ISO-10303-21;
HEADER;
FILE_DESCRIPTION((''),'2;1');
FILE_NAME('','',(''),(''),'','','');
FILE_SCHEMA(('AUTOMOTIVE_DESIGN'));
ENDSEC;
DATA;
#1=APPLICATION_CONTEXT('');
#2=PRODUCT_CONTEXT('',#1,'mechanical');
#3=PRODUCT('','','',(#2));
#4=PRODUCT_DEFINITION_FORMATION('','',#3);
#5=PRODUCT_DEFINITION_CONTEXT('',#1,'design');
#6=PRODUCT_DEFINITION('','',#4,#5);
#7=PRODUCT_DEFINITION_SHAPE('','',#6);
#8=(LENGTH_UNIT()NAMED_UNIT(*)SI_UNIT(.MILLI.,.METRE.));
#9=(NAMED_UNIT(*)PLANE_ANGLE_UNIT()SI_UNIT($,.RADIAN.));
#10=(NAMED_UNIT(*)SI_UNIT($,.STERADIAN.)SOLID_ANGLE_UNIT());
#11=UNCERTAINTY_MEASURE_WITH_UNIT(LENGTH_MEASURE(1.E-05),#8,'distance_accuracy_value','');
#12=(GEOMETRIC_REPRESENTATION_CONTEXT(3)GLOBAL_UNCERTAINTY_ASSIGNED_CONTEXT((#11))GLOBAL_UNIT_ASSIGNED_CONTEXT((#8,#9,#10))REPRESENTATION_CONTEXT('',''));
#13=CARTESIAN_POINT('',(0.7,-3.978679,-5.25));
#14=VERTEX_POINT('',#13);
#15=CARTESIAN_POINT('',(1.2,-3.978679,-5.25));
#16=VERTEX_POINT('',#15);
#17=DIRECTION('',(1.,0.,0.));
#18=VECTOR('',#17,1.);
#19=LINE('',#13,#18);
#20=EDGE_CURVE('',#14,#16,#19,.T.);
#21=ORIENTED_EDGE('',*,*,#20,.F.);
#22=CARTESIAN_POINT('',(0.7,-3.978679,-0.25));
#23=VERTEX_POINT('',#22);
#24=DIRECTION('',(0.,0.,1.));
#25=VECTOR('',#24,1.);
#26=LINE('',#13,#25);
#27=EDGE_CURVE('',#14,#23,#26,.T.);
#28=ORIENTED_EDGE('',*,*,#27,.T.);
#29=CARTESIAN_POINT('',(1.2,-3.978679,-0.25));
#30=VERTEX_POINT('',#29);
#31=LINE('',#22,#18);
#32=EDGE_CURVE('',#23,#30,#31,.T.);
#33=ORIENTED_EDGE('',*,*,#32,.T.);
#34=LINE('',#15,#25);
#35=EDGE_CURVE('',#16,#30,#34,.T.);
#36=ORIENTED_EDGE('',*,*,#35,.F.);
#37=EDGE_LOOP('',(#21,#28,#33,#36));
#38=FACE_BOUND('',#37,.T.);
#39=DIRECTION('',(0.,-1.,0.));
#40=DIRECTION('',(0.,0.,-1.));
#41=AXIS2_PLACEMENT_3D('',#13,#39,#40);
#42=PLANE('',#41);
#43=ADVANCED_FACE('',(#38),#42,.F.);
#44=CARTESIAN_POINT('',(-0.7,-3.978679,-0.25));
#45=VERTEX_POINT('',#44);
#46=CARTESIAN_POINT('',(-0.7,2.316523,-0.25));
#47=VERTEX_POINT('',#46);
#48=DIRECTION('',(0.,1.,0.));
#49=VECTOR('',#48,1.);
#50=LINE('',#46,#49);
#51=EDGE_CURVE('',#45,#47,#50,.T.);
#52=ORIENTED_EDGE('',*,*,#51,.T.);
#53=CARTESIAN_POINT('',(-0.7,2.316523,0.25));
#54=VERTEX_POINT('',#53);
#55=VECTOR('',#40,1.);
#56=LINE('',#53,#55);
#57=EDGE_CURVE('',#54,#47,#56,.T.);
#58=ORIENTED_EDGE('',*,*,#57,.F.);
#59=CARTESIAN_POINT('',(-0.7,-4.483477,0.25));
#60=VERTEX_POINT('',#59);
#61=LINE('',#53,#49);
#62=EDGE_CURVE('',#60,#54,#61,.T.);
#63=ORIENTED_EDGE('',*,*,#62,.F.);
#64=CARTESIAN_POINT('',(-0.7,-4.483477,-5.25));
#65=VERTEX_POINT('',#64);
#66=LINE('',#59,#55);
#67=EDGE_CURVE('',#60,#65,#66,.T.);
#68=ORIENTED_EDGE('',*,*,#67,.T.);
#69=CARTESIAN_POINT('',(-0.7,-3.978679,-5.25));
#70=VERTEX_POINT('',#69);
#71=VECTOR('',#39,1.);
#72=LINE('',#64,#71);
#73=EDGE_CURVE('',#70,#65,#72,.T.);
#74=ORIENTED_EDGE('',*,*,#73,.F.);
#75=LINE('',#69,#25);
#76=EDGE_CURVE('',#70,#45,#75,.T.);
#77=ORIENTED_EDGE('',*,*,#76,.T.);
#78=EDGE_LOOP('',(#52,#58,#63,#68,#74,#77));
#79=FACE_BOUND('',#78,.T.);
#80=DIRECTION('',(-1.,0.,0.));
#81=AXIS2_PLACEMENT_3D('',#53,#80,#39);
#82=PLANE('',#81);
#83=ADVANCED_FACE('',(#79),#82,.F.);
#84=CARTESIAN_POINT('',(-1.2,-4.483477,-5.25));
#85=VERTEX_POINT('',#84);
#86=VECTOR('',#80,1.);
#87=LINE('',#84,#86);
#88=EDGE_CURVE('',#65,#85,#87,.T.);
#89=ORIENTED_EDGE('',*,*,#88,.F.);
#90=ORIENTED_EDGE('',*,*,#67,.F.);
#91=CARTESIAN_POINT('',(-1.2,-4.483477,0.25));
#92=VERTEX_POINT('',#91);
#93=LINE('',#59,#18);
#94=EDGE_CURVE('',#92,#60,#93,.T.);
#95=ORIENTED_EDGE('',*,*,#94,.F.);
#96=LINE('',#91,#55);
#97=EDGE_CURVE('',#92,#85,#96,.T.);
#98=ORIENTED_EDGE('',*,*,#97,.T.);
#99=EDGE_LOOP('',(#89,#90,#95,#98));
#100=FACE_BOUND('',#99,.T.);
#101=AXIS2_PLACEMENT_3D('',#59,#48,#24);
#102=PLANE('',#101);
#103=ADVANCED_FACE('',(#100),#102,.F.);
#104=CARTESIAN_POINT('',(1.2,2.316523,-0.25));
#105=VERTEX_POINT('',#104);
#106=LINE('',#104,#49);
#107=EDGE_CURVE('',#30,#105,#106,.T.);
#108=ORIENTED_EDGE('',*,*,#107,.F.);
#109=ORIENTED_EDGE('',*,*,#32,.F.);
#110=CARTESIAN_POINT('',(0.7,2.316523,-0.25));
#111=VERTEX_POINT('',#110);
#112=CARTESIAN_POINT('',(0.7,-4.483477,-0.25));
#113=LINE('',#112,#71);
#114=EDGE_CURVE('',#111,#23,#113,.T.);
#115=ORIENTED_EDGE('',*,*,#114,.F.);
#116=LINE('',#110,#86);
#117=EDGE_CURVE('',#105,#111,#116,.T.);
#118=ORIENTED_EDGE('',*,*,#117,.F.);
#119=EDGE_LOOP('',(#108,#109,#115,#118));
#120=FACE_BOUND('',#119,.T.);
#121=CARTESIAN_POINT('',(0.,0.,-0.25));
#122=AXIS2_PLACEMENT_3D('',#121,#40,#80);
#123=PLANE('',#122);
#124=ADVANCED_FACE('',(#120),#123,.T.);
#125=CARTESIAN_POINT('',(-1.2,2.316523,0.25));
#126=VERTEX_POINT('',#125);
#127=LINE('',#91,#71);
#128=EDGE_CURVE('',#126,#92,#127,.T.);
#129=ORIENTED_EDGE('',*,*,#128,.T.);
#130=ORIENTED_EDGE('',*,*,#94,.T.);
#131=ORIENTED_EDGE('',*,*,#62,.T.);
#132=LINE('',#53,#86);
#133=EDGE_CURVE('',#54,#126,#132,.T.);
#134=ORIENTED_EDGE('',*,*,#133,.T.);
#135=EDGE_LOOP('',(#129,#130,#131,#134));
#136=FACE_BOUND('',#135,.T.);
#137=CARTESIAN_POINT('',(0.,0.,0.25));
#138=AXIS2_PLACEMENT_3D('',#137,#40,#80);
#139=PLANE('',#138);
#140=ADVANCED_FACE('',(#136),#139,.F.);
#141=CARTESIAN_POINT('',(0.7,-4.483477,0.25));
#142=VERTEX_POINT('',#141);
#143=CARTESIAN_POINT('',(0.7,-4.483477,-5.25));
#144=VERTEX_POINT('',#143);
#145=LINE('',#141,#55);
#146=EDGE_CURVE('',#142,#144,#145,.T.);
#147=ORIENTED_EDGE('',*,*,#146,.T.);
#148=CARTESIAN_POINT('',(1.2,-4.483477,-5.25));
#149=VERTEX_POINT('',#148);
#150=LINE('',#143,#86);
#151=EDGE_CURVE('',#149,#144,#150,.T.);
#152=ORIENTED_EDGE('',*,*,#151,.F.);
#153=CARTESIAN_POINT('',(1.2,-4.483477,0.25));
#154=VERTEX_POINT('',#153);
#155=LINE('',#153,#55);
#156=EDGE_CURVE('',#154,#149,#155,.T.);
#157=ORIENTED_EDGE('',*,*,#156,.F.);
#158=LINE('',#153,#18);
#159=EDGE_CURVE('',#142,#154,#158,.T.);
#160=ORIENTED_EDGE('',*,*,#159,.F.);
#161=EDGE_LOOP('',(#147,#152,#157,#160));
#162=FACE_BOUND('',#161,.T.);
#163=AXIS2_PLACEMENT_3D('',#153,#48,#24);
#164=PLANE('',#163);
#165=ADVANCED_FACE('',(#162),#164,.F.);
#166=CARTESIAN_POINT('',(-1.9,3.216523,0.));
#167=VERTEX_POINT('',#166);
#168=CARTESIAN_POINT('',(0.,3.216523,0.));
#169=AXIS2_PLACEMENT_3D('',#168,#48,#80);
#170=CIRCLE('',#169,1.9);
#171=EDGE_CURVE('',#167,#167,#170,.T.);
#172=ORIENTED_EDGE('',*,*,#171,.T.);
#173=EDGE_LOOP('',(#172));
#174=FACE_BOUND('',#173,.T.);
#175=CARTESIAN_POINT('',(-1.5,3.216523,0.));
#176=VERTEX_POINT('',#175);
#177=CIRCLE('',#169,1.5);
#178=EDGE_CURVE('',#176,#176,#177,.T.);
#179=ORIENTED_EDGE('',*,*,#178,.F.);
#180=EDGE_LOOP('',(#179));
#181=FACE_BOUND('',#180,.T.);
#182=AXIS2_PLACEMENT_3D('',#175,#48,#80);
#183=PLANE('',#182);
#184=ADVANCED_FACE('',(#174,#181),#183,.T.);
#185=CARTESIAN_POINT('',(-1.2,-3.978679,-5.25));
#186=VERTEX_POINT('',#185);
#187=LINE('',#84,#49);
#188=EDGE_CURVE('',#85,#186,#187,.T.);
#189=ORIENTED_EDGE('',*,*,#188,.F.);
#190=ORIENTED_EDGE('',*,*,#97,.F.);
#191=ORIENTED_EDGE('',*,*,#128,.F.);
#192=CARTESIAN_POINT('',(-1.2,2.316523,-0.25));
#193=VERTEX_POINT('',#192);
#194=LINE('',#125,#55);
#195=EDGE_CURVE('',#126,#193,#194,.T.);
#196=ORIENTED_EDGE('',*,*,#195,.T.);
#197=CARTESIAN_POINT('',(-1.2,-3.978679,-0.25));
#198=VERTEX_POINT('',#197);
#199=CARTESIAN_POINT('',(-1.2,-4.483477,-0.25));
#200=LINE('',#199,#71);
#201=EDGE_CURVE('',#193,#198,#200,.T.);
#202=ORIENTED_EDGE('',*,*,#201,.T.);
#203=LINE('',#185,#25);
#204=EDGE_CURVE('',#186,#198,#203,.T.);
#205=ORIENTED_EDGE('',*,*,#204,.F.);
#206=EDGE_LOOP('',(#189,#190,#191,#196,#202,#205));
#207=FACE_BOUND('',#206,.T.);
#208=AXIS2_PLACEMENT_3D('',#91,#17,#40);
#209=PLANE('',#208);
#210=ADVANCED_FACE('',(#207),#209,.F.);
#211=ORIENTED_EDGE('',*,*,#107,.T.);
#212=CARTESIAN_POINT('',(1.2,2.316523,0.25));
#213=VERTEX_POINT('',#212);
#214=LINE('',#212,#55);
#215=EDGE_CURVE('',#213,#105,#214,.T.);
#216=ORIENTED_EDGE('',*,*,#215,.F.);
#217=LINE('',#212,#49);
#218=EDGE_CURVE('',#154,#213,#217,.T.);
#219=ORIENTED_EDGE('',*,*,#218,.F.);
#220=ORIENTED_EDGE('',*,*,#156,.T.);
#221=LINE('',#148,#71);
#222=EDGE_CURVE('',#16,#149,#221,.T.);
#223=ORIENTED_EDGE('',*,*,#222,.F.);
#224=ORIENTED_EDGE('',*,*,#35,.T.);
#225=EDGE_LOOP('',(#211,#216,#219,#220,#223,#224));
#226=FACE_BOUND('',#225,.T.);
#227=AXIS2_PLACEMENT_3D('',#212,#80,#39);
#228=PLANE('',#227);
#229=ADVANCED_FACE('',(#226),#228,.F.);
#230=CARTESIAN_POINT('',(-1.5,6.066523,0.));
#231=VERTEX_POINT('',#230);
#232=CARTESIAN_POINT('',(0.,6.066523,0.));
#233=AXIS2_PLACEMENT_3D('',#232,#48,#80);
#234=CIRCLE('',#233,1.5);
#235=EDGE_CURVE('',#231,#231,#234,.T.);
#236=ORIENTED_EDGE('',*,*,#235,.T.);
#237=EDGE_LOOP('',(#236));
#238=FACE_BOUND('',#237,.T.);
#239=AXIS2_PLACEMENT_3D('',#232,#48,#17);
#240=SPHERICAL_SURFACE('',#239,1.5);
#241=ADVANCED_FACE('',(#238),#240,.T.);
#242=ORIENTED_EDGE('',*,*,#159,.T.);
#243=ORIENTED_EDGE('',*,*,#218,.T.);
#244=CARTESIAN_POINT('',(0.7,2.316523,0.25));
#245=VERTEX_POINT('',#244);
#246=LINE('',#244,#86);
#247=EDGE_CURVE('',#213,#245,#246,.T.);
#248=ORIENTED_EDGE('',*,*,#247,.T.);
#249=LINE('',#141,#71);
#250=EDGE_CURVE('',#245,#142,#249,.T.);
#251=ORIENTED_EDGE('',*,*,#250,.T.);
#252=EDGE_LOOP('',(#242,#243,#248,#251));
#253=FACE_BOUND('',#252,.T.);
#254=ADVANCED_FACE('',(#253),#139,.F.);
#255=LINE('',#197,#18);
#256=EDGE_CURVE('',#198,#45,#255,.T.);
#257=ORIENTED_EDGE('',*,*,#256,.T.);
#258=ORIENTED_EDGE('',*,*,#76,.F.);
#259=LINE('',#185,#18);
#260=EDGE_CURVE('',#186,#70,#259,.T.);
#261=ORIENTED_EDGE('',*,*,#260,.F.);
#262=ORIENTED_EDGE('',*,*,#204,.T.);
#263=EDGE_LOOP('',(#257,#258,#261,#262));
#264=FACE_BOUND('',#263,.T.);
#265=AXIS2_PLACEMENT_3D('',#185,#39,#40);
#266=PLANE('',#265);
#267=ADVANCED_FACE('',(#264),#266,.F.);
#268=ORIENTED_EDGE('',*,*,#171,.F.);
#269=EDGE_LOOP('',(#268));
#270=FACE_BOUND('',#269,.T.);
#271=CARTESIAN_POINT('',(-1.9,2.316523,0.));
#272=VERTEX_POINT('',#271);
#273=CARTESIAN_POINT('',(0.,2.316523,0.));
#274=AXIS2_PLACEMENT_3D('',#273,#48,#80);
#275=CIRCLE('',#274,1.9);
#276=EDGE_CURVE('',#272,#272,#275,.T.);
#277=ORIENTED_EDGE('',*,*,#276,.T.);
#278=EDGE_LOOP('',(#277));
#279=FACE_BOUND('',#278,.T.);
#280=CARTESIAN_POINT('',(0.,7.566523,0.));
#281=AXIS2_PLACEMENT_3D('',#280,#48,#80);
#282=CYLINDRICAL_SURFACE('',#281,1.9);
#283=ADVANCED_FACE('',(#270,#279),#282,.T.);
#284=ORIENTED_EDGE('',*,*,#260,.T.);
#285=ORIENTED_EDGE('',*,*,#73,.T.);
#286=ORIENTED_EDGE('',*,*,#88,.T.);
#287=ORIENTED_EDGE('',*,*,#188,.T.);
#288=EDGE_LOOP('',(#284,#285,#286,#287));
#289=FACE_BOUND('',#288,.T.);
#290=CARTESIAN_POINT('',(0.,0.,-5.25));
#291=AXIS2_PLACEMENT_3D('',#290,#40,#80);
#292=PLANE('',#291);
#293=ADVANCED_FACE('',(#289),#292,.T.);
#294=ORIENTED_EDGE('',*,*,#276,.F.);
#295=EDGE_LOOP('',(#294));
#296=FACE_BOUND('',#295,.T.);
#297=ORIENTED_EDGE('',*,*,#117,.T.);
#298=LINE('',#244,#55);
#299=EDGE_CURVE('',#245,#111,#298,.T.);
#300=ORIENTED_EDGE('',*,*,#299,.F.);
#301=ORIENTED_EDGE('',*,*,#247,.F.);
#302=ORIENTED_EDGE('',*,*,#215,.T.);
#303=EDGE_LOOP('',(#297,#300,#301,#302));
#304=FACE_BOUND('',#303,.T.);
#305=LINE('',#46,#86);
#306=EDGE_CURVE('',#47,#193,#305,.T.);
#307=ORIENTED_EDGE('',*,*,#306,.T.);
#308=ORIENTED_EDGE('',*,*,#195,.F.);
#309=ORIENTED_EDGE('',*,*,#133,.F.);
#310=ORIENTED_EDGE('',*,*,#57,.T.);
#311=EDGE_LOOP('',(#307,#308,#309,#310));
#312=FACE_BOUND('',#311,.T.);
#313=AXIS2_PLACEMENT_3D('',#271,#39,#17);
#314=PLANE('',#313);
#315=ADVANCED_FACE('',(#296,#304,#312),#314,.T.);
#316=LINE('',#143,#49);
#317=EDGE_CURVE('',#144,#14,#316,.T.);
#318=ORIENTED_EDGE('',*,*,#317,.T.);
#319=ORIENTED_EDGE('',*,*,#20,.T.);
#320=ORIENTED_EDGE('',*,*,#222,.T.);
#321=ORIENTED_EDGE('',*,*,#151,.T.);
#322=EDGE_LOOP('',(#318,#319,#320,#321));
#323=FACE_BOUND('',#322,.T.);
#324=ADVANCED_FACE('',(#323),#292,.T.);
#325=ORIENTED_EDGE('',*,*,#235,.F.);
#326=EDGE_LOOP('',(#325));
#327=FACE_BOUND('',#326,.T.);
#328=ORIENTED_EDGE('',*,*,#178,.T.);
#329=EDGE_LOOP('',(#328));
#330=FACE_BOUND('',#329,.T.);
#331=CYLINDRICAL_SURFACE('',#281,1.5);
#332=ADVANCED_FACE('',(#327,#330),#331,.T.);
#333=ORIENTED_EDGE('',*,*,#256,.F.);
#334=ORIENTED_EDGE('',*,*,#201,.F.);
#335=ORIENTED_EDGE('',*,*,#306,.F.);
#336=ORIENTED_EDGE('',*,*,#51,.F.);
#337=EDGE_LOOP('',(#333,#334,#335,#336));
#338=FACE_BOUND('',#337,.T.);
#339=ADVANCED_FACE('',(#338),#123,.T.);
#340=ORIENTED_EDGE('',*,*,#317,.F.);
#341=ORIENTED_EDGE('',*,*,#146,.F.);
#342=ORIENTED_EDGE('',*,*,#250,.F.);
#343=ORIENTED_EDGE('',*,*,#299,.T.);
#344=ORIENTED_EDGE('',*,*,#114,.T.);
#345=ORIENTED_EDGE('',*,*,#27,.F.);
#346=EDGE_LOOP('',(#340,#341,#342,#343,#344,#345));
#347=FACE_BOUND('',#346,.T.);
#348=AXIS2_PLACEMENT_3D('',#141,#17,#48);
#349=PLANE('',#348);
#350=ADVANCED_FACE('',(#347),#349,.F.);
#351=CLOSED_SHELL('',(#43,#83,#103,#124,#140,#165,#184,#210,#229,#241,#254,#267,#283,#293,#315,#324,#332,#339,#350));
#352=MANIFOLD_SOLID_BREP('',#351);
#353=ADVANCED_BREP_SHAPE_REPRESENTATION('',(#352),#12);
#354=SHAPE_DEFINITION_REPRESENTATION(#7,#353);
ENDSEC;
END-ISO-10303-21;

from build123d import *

# Parameters (mm, degrees)
SKICA2_W                = 0.5
SKICA2_H                = 6.8
P_IDAT_VYSUNUT_M1_DEPTH = 0.25
SKICA3_W                = 0.5
SKICA3_H                = 0.504797781
P_IDAT_VYSUNUT_M2_DEPTH = 5


with BuildPart() as part:
    # Skica1 → Rotovat1 (revolve)
    with BuildSketch(Plane.XY):
        with BuildLine():
            Line((-1.5, 6.066522781), (-1.5, 3.216522781))
            Line((-1.5, 3.216522781), (-1.9, 3.216522781))
            Line((-1.9, 3.216522781), (-1.9, 2.316522781))
            Line((-1.9, 2.316522781), (0, 2.316522781))
            Line((0, 2.316522781), (0, 7.566522781))
            ThreePointArc((0, 7.566522781), (-1.060660172, 7.127182953), (-1.5, 6.066522781))
        make_face()
    revolve(axis=Axis((0, 7.566522781, 0), (0, -1, 0)))

    # Skica2 → Přidat vysunutím1 (add, symmetric)
    with BuildSketch(Plane.XY):
        with Locations((0.95, -1.083477219)):
            Rectangle(SKICA2_W, SKICA2_H)
        with Locations((-0.95, -1.083477219)):
            Rectangle(SKICA2_W, SKICA2_H)
    extrude(amount=P_IDAT_VYSUNUT_M1_DEPTH, both=True)

    # Skica3 → Přidat vysunutím2 (add)
    with BuildSketch(Plane(origin=(0, 0, -0.25), x_dir=(-1, 0, 0), z_dir=(0, 0, -1))):
        with Locations((0.95, -4.231078329)):
            Rectangle(SKICA3_W, SKICA3_H)
        with Locations((-0.95, -4.231078329)):
            Rectangle(SKICA3_W, SKICA3_H)
    extrude(amount=P_IDAT_VYSUNUT_M2_DEPTH)


solid = part.part
